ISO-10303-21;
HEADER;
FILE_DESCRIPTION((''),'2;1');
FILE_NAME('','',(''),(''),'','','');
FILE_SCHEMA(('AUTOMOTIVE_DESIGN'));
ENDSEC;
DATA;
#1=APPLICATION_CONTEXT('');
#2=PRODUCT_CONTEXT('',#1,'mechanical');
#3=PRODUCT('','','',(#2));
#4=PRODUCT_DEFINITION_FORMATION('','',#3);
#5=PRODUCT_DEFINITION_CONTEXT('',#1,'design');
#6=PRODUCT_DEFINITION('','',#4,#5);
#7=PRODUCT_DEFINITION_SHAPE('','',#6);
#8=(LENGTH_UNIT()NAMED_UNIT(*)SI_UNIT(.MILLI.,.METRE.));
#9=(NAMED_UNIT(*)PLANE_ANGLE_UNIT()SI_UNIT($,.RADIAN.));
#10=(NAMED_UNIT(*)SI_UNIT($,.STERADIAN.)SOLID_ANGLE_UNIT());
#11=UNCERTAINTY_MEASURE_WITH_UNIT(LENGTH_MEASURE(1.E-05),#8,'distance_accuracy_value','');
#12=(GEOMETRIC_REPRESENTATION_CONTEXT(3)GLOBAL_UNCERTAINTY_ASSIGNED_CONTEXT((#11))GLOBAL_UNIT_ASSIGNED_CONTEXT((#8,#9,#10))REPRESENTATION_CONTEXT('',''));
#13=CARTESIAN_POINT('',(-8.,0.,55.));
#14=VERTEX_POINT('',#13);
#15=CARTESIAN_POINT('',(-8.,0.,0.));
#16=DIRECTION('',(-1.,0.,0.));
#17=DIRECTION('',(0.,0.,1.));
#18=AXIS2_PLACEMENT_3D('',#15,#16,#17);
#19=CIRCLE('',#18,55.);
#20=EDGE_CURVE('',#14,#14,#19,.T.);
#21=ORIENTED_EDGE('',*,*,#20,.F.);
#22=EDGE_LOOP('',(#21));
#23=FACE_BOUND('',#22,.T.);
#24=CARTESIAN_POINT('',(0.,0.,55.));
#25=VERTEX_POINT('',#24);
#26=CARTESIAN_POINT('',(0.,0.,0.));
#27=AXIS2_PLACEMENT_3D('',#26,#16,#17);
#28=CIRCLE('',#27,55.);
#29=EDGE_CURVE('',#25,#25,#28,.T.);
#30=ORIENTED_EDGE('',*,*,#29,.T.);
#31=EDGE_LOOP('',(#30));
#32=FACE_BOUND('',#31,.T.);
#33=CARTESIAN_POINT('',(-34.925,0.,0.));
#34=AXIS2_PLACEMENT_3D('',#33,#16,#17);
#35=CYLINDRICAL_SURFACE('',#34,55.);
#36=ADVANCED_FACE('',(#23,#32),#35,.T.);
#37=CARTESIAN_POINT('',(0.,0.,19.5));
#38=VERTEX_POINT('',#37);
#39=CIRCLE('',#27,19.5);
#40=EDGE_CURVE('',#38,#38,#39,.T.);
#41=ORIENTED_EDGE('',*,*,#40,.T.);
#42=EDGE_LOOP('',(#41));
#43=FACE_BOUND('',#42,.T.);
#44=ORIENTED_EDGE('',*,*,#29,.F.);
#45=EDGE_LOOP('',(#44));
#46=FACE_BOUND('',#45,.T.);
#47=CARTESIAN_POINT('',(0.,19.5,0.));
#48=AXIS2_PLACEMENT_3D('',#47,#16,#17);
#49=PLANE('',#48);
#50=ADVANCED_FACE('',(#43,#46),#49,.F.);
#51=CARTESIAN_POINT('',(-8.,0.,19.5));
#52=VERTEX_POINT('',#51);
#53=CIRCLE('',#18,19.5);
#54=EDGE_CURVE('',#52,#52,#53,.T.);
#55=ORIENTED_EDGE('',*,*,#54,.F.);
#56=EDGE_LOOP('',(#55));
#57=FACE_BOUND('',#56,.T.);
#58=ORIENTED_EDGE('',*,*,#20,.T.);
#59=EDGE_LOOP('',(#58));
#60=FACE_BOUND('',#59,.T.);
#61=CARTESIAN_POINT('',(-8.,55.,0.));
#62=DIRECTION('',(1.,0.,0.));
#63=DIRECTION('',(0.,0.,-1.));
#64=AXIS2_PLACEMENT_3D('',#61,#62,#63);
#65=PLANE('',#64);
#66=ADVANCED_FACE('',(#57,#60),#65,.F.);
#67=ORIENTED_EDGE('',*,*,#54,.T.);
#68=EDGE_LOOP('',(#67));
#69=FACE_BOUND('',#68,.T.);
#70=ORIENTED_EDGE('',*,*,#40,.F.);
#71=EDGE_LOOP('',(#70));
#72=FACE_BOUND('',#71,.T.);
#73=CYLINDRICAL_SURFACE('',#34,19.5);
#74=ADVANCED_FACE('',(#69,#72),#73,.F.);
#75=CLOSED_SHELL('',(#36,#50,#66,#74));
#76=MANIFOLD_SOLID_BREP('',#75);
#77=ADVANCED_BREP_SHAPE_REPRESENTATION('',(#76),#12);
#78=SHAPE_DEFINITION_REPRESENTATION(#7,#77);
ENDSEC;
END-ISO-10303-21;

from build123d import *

# Parameters (mm, degrees)
SKETCH1_W = 8
SKETCH1_H = 35.5


with BuildPart() as part:
    # Sketch1 → Base-Revolve (revolve)
    with BuildSketch(Plane.XY, mode=Mode.PRIVATE) as base_revolve_sk:
        with Locations((-4, 37.25)):
            Rectangle(SKETCH1_W, SKETCH1_H)
    revolve(base_revolve_sk.sketch.rotate(Axis((-34.925, 0, 0), (1, 0, 0)), 90), axis=Axis((-34.925, 0, 0), (1, 0, 0)))


solid = part.part
